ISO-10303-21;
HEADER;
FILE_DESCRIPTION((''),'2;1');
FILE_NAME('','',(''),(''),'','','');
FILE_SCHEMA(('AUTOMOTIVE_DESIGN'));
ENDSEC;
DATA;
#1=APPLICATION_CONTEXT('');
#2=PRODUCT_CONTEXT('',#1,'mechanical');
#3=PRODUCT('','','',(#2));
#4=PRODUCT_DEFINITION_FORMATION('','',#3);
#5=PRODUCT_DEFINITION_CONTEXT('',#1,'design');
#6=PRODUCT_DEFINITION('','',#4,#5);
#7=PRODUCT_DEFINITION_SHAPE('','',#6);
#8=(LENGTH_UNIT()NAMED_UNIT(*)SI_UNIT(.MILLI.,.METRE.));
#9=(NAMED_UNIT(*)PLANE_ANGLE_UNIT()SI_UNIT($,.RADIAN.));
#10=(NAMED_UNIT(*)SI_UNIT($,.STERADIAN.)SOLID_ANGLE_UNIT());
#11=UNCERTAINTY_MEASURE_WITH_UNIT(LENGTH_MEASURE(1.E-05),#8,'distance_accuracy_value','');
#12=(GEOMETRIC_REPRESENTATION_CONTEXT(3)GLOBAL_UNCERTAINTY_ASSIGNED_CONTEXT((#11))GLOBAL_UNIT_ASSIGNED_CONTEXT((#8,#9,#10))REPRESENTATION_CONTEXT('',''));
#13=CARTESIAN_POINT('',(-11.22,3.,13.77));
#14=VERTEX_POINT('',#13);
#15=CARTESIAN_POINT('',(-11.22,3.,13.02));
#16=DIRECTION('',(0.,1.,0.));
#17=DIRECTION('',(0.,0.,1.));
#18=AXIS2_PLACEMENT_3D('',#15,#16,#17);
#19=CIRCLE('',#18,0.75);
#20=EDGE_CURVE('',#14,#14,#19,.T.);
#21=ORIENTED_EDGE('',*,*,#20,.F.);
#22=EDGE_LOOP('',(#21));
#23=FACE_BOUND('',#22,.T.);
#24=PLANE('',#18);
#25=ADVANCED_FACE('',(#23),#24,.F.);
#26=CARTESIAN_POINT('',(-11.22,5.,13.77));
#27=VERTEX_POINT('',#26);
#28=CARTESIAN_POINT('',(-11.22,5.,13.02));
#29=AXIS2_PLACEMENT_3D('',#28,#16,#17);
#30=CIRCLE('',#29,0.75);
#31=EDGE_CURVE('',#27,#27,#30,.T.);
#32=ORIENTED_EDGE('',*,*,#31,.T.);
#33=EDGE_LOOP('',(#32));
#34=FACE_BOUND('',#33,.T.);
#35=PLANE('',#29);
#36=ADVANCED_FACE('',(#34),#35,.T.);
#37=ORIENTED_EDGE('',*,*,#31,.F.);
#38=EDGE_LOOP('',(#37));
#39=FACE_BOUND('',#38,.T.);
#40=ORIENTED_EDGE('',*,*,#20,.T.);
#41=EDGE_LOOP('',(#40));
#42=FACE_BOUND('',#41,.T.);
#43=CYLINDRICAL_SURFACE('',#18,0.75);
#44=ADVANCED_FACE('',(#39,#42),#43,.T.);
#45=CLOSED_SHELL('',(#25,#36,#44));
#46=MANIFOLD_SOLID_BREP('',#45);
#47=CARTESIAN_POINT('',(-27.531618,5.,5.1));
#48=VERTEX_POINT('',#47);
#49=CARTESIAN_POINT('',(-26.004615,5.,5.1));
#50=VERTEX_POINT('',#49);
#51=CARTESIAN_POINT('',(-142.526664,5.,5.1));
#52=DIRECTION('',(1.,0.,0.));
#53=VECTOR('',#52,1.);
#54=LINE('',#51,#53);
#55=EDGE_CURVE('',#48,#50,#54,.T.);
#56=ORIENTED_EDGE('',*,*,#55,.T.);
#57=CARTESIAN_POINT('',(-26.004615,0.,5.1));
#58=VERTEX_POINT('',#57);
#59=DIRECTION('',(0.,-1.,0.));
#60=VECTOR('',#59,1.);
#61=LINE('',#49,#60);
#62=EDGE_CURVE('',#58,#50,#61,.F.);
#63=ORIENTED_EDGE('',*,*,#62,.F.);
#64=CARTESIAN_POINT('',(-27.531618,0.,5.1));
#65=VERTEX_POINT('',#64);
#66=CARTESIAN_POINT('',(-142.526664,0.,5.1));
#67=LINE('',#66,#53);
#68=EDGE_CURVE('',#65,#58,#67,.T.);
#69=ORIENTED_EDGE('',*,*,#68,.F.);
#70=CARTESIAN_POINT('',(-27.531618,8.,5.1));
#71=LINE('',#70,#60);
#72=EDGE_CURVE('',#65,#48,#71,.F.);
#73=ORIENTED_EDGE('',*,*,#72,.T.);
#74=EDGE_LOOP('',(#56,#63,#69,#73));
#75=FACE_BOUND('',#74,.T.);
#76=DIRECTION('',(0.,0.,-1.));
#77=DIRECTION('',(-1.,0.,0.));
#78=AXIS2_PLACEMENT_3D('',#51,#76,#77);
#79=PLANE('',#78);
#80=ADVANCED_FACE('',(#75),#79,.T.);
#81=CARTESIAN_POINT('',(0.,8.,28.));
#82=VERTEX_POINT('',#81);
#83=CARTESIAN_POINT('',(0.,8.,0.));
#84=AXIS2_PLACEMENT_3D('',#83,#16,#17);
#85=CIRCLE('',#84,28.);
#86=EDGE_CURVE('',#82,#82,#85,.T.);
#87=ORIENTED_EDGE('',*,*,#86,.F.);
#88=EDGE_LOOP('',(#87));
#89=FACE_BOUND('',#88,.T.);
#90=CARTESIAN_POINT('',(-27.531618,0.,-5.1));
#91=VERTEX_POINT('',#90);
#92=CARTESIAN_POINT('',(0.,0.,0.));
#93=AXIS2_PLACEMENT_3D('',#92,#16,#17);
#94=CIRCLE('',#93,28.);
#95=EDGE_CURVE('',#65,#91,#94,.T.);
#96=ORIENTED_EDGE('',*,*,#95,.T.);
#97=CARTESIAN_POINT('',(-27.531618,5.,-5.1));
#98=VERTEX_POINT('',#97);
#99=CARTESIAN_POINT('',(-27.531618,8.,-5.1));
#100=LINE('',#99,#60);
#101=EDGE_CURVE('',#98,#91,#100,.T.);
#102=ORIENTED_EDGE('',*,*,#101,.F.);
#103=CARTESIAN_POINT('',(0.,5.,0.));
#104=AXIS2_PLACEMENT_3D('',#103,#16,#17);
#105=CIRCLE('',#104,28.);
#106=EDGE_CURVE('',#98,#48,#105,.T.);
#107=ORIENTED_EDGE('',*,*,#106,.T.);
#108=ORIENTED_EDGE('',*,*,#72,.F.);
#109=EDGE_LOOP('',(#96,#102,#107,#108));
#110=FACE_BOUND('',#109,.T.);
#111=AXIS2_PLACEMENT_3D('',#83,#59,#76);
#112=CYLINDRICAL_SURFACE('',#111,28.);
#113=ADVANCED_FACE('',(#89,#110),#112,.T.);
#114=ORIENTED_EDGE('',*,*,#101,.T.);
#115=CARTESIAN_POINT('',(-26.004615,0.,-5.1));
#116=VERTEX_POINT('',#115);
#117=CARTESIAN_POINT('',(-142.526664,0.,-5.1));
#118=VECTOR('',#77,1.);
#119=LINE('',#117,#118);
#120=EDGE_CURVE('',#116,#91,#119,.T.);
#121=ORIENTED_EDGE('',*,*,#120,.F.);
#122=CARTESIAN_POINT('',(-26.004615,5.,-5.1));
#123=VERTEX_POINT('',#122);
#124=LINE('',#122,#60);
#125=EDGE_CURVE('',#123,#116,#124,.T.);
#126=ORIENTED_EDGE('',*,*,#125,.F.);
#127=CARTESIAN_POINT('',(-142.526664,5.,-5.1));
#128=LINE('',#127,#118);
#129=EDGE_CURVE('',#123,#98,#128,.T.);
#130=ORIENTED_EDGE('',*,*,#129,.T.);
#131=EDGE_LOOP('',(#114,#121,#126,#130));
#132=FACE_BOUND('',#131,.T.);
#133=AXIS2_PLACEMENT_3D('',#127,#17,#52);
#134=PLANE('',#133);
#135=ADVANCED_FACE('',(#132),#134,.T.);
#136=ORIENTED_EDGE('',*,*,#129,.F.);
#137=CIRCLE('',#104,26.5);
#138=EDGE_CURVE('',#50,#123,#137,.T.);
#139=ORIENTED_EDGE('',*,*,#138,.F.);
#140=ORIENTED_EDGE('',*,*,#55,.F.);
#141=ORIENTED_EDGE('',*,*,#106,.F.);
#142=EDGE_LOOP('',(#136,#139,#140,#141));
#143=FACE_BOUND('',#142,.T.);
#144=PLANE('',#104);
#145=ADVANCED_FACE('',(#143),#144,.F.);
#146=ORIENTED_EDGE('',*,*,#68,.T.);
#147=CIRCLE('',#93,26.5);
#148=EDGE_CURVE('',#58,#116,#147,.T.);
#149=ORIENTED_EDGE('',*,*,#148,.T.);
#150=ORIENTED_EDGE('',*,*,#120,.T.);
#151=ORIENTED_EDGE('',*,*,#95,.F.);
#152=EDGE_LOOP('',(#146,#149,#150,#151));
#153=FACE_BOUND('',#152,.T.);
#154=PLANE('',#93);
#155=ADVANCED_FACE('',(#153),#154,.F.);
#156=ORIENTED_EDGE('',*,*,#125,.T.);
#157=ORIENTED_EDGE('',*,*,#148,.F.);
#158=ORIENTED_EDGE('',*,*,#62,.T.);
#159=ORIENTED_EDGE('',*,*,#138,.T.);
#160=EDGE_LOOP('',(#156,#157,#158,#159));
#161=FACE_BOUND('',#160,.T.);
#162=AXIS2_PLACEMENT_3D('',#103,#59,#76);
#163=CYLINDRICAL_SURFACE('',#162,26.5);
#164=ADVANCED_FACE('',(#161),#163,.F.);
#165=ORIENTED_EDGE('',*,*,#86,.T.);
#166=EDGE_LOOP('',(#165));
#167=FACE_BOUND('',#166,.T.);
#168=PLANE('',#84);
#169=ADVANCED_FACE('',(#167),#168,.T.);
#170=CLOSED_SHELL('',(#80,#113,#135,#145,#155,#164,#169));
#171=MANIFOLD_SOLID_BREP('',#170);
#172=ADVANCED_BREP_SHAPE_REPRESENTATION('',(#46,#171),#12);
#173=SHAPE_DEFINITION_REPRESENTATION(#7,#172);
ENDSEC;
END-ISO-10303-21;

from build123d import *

# Parameters (mm, degrees)
BASE_R                    = 28
EXTRUSAO_BASE_DEPTH       = 8
CORTE_BASE_R              = 26.5
EXTRUSAO_CORTE_BASE_DEPTH = 5
USB_W                     = 142.526664036
USB_H                     = 10.2
CORTE_USB_DEPTH           = 5
EXTRUSAO_SUPORTE_START    = 5
SUPORTE_R                 = 0.75
EXTRUSAO_SUPORTE_DEPTH    = 2


with BuildPart() as part:
    # base → extrusao_base (new body)
    with BuildSketch(Plane(origin=(0, 0, 0), x_dir=(1, 0, 0), z_dir=(0, 1, 0))):
        with Locations(Location((0, 0, 0), (0, 0, 270))):
            Circle(BASE_R)
    extrude(amount=EXTRUSAO_BASE_DEPTH)

    # corte_base → extrusao_corte_base (cut)
    with BuildSketch(Plane(origin=(0, 0, 0), x_dir=(1, 0, 0), z_dir=(0, 1, 0))):
        with Locations(Location((0, 0, 0), (0, 0, 270))):
            Circle(CORTE_BASE_R)
    extrude(amount=EXTRUSAO_CORTE_BASE_DEPTH, mode=Mode.SUBTRACT)

    # usb → corte_usb (cut)
    with BuildSketch(Plane(origin=(0, 0, 0), x_dir=(1, 0, 0), z_dir=(0, 1, 0))):
        with Locations((-71.263332018, 0)):
            Rectangle(USB_W, USB_H)
    extrude(amount=CORTE_USB_DEPTH, mode=Mode.SUBTRACT)


with BuildPart() as body_2:
    # suporte → extrusao_suporte (new body)
    with BuildSketch(Plane(origin=(0, 0, 0), x_dir=(1, 0, 0), z_dir=(0, 1, 0)).offset(EXTRUSAO_SUPORTE_START)):
        with Locations(Location((-11.22, -13.02, 0), (0, 0, 270))):
            Circle(SUPORTE_R)
    extrude(amount=-EXTRUSAO_SUPORTE_DEPTH)


solid = Compound([part.part, body_2.part])
